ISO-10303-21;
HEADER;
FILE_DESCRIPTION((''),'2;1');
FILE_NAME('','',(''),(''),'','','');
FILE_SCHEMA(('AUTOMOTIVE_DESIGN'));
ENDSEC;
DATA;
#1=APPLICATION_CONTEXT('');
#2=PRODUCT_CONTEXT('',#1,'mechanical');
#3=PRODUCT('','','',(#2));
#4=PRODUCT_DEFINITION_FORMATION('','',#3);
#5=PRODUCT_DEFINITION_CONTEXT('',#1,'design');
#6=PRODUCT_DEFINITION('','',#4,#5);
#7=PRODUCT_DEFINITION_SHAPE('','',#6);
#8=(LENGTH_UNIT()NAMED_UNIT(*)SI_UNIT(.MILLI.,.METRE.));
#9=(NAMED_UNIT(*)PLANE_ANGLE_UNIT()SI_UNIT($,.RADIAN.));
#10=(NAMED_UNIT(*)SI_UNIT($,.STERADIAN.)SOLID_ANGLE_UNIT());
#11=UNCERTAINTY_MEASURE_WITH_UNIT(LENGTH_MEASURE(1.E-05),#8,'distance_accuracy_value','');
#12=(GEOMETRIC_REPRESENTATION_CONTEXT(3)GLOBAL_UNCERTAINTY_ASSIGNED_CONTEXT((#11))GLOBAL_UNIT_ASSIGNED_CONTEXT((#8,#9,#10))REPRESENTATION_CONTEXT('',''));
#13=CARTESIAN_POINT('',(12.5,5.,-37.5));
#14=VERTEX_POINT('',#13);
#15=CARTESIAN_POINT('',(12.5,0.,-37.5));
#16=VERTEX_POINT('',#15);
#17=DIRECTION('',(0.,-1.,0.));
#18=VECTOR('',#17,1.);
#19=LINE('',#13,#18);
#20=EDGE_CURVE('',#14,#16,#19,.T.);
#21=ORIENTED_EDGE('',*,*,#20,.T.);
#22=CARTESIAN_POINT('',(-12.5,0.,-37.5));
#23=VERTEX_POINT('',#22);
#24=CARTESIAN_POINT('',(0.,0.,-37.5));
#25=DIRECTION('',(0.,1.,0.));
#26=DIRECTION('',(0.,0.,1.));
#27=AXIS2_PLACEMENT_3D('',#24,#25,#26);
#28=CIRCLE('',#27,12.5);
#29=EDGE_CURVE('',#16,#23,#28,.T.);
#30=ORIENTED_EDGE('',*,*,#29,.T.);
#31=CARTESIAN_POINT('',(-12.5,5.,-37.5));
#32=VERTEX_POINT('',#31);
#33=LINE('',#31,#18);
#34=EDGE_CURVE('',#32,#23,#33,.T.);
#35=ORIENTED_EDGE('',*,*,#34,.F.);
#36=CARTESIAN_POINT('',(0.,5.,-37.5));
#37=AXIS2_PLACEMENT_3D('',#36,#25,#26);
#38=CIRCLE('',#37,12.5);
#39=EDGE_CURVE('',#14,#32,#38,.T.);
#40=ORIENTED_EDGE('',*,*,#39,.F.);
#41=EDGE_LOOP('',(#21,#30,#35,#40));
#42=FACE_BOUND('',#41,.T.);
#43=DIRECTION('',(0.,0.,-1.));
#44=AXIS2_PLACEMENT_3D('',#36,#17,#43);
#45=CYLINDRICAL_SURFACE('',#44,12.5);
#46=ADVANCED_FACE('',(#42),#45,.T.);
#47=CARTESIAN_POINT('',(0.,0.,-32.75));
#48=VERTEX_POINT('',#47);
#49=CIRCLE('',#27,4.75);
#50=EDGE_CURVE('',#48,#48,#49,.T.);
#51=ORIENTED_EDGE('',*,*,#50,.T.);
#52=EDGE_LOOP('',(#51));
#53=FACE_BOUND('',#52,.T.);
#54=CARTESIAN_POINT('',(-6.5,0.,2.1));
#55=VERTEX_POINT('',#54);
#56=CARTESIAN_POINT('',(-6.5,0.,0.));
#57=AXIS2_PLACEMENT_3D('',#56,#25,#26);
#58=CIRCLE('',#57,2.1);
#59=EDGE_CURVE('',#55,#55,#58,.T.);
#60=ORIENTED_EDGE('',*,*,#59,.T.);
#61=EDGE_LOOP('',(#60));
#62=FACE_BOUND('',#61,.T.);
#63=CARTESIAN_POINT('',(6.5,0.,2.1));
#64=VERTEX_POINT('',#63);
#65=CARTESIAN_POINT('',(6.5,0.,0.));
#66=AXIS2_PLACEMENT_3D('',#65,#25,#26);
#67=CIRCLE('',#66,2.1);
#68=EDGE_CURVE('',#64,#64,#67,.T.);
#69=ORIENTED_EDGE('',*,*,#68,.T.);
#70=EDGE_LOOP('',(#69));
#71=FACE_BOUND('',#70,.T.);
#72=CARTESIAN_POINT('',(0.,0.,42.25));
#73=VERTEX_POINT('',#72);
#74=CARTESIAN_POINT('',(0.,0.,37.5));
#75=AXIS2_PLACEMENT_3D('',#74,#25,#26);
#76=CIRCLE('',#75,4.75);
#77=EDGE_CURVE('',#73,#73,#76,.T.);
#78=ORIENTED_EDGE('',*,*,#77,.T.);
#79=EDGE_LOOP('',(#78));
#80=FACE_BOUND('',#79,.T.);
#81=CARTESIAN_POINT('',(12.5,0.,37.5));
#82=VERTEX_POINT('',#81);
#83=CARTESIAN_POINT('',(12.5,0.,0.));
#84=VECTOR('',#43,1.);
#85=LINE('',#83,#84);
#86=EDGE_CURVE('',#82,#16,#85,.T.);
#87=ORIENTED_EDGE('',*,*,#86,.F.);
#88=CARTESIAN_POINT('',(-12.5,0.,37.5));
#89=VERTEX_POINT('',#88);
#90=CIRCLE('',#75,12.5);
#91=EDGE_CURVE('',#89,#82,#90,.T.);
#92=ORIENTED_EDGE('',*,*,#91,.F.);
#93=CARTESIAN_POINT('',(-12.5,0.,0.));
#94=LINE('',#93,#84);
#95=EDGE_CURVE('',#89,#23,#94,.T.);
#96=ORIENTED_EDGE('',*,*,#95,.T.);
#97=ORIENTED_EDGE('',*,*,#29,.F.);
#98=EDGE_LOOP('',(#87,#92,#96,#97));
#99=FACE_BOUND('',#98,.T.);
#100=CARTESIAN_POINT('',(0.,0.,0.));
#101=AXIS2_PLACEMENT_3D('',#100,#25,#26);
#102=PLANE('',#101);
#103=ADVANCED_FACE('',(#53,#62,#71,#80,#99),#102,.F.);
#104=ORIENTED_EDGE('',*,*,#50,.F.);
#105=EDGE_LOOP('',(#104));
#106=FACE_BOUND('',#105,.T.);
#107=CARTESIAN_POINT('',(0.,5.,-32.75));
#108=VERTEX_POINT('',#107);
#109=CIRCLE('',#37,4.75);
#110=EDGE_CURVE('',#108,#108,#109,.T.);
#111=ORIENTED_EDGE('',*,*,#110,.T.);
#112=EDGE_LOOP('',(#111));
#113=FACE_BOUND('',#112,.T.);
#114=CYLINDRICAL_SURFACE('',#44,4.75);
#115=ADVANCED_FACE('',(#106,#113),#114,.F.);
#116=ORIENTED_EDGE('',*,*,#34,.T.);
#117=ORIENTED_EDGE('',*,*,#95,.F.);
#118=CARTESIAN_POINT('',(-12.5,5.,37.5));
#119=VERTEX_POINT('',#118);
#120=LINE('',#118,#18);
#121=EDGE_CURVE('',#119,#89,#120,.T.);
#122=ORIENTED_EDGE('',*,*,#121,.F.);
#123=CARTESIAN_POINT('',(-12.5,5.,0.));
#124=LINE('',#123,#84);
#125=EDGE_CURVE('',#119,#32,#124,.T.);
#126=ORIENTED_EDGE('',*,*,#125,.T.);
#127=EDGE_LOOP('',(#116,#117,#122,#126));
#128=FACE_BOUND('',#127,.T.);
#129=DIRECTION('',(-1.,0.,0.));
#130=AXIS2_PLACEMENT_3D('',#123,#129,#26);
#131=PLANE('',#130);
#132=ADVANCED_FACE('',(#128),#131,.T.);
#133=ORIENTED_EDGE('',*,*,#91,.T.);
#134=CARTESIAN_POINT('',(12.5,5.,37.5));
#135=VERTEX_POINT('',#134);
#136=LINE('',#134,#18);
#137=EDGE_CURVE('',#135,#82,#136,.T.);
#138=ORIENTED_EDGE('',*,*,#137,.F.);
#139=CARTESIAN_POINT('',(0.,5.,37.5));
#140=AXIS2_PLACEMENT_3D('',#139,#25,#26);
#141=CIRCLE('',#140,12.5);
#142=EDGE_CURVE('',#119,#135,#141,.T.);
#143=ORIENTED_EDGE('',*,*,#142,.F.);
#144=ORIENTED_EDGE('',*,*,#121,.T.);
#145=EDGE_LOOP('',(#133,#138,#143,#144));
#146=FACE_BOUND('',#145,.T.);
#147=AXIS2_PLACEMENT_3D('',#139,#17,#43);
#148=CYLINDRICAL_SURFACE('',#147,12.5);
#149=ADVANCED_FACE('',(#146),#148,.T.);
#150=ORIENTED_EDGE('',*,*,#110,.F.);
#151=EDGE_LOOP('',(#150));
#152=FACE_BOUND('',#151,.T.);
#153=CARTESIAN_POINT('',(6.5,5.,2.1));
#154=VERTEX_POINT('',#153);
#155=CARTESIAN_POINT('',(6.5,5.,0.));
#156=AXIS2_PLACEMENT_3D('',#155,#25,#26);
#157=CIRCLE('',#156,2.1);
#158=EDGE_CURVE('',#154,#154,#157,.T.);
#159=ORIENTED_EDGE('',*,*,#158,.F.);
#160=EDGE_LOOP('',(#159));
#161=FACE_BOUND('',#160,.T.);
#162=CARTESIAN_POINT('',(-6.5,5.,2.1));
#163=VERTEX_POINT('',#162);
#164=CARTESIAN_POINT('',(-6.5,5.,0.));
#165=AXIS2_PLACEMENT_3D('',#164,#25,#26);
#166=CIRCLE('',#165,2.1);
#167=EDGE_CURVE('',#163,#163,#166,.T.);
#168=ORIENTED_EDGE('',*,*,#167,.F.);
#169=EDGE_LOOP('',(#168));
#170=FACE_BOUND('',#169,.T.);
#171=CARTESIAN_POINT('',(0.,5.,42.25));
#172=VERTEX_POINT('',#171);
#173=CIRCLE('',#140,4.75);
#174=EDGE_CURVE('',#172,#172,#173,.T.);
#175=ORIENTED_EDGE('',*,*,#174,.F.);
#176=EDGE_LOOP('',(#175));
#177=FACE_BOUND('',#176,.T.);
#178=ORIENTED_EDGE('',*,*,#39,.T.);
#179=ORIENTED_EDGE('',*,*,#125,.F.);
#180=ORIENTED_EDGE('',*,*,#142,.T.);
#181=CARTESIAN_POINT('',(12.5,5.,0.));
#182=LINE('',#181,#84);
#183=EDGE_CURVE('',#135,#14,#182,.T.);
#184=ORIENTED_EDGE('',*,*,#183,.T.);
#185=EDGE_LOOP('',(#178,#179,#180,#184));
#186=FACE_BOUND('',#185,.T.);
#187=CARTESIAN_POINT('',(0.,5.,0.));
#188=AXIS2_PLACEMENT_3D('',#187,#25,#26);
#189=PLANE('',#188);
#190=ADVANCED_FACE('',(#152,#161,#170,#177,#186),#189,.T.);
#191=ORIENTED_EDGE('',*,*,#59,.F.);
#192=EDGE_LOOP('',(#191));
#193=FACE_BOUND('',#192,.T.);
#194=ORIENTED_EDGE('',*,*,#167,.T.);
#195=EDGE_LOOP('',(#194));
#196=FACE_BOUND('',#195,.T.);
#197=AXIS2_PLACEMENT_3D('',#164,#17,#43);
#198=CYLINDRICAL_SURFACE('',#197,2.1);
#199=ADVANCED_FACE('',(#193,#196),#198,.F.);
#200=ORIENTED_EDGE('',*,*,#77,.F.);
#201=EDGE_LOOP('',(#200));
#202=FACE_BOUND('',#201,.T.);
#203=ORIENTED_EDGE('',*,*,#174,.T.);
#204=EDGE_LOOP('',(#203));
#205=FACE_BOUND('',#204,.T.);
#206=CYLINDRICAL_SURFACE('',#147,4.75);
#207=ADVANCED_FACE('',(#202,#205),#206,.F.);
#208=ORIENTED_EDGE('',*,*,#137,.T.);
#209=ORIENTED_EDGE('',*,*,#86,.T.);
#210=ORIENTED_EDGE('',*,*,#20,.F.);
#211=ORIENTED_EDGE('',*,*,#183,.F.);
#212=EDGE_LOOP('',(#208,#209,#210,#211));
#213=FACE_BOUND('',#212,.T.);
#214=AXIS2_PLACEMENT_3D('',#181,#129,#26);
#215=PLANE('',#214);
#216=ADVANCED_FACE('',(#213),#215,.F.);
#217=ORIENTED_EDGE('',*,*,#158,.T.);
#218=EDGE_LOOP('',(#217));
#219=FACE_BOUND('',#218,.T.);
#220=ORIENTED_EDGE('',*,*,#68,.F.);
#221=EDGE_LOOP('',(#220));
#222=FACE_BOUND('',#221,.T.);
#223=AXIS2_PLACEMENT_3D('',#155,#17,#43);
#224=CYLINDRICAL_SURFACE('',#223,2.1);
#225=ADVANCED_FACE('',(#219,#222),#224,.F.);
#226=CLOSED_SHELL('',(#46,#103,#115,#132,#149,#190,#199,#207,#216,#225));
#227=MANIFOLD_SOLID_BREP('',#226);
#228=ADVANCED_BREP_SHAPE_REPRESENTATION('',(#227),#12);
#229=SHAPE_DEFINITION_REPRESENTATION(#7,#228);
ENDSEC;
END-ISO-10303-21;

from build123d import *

# Parameters (mm, degrees)
SKETCH1_R           = 12.5
SKETCH1_R_2         = 4.75
SKETCH1_R_3         = 2.1
BOSS_EXTRUDE1_DEPTH = 5


with BuildPart() as part:
    # Sketch1 → Boss-Extrude1 (new body)
    with BuildSketch(Plane(origin=(0, 0, 0), x_dir=(1, 0, 0), z_dir=(0, 1, 0))):
        with Locations((0, 37.5)):
            Circle(SKETCH1_R)
        with Locations((0, 37.5)):
            Circle(SKETCH1_R_2, mode=Mode.SUBTRACT)
        with BuildLine():
            ThreePointArc((-12.5, -37.5), (0, -25), (12.5, -37.5))
            Line((12.5, -37.5), (12.5, 37.5))
            ThreePointArc((12.5, 37.5), (4.5e-08, 25), (-12.5, 37.49999991))
            Line((-12.5, 37.49999991), (-12.5, -37.5))
        make_face()
        with Locations((-6.5, 0)):
            Circle(SKETCH1_R_3, mode=Mode.SUBTRACT)
        with Locations((6.5, 0)):
            Circle(SKETCH1_R_3, mode=Mode.SUBTRACT)
        with Locations((0, -37.5)):
            Circle(SKETCH1_R)
        with Locations((0, -37.5)):
            Circle(SKETCH1_R_2, mode=Mode.SUBTRACT)
    extrude(amount=BOSS_EXTRUDE1_DEPTH)


solid = part.part
